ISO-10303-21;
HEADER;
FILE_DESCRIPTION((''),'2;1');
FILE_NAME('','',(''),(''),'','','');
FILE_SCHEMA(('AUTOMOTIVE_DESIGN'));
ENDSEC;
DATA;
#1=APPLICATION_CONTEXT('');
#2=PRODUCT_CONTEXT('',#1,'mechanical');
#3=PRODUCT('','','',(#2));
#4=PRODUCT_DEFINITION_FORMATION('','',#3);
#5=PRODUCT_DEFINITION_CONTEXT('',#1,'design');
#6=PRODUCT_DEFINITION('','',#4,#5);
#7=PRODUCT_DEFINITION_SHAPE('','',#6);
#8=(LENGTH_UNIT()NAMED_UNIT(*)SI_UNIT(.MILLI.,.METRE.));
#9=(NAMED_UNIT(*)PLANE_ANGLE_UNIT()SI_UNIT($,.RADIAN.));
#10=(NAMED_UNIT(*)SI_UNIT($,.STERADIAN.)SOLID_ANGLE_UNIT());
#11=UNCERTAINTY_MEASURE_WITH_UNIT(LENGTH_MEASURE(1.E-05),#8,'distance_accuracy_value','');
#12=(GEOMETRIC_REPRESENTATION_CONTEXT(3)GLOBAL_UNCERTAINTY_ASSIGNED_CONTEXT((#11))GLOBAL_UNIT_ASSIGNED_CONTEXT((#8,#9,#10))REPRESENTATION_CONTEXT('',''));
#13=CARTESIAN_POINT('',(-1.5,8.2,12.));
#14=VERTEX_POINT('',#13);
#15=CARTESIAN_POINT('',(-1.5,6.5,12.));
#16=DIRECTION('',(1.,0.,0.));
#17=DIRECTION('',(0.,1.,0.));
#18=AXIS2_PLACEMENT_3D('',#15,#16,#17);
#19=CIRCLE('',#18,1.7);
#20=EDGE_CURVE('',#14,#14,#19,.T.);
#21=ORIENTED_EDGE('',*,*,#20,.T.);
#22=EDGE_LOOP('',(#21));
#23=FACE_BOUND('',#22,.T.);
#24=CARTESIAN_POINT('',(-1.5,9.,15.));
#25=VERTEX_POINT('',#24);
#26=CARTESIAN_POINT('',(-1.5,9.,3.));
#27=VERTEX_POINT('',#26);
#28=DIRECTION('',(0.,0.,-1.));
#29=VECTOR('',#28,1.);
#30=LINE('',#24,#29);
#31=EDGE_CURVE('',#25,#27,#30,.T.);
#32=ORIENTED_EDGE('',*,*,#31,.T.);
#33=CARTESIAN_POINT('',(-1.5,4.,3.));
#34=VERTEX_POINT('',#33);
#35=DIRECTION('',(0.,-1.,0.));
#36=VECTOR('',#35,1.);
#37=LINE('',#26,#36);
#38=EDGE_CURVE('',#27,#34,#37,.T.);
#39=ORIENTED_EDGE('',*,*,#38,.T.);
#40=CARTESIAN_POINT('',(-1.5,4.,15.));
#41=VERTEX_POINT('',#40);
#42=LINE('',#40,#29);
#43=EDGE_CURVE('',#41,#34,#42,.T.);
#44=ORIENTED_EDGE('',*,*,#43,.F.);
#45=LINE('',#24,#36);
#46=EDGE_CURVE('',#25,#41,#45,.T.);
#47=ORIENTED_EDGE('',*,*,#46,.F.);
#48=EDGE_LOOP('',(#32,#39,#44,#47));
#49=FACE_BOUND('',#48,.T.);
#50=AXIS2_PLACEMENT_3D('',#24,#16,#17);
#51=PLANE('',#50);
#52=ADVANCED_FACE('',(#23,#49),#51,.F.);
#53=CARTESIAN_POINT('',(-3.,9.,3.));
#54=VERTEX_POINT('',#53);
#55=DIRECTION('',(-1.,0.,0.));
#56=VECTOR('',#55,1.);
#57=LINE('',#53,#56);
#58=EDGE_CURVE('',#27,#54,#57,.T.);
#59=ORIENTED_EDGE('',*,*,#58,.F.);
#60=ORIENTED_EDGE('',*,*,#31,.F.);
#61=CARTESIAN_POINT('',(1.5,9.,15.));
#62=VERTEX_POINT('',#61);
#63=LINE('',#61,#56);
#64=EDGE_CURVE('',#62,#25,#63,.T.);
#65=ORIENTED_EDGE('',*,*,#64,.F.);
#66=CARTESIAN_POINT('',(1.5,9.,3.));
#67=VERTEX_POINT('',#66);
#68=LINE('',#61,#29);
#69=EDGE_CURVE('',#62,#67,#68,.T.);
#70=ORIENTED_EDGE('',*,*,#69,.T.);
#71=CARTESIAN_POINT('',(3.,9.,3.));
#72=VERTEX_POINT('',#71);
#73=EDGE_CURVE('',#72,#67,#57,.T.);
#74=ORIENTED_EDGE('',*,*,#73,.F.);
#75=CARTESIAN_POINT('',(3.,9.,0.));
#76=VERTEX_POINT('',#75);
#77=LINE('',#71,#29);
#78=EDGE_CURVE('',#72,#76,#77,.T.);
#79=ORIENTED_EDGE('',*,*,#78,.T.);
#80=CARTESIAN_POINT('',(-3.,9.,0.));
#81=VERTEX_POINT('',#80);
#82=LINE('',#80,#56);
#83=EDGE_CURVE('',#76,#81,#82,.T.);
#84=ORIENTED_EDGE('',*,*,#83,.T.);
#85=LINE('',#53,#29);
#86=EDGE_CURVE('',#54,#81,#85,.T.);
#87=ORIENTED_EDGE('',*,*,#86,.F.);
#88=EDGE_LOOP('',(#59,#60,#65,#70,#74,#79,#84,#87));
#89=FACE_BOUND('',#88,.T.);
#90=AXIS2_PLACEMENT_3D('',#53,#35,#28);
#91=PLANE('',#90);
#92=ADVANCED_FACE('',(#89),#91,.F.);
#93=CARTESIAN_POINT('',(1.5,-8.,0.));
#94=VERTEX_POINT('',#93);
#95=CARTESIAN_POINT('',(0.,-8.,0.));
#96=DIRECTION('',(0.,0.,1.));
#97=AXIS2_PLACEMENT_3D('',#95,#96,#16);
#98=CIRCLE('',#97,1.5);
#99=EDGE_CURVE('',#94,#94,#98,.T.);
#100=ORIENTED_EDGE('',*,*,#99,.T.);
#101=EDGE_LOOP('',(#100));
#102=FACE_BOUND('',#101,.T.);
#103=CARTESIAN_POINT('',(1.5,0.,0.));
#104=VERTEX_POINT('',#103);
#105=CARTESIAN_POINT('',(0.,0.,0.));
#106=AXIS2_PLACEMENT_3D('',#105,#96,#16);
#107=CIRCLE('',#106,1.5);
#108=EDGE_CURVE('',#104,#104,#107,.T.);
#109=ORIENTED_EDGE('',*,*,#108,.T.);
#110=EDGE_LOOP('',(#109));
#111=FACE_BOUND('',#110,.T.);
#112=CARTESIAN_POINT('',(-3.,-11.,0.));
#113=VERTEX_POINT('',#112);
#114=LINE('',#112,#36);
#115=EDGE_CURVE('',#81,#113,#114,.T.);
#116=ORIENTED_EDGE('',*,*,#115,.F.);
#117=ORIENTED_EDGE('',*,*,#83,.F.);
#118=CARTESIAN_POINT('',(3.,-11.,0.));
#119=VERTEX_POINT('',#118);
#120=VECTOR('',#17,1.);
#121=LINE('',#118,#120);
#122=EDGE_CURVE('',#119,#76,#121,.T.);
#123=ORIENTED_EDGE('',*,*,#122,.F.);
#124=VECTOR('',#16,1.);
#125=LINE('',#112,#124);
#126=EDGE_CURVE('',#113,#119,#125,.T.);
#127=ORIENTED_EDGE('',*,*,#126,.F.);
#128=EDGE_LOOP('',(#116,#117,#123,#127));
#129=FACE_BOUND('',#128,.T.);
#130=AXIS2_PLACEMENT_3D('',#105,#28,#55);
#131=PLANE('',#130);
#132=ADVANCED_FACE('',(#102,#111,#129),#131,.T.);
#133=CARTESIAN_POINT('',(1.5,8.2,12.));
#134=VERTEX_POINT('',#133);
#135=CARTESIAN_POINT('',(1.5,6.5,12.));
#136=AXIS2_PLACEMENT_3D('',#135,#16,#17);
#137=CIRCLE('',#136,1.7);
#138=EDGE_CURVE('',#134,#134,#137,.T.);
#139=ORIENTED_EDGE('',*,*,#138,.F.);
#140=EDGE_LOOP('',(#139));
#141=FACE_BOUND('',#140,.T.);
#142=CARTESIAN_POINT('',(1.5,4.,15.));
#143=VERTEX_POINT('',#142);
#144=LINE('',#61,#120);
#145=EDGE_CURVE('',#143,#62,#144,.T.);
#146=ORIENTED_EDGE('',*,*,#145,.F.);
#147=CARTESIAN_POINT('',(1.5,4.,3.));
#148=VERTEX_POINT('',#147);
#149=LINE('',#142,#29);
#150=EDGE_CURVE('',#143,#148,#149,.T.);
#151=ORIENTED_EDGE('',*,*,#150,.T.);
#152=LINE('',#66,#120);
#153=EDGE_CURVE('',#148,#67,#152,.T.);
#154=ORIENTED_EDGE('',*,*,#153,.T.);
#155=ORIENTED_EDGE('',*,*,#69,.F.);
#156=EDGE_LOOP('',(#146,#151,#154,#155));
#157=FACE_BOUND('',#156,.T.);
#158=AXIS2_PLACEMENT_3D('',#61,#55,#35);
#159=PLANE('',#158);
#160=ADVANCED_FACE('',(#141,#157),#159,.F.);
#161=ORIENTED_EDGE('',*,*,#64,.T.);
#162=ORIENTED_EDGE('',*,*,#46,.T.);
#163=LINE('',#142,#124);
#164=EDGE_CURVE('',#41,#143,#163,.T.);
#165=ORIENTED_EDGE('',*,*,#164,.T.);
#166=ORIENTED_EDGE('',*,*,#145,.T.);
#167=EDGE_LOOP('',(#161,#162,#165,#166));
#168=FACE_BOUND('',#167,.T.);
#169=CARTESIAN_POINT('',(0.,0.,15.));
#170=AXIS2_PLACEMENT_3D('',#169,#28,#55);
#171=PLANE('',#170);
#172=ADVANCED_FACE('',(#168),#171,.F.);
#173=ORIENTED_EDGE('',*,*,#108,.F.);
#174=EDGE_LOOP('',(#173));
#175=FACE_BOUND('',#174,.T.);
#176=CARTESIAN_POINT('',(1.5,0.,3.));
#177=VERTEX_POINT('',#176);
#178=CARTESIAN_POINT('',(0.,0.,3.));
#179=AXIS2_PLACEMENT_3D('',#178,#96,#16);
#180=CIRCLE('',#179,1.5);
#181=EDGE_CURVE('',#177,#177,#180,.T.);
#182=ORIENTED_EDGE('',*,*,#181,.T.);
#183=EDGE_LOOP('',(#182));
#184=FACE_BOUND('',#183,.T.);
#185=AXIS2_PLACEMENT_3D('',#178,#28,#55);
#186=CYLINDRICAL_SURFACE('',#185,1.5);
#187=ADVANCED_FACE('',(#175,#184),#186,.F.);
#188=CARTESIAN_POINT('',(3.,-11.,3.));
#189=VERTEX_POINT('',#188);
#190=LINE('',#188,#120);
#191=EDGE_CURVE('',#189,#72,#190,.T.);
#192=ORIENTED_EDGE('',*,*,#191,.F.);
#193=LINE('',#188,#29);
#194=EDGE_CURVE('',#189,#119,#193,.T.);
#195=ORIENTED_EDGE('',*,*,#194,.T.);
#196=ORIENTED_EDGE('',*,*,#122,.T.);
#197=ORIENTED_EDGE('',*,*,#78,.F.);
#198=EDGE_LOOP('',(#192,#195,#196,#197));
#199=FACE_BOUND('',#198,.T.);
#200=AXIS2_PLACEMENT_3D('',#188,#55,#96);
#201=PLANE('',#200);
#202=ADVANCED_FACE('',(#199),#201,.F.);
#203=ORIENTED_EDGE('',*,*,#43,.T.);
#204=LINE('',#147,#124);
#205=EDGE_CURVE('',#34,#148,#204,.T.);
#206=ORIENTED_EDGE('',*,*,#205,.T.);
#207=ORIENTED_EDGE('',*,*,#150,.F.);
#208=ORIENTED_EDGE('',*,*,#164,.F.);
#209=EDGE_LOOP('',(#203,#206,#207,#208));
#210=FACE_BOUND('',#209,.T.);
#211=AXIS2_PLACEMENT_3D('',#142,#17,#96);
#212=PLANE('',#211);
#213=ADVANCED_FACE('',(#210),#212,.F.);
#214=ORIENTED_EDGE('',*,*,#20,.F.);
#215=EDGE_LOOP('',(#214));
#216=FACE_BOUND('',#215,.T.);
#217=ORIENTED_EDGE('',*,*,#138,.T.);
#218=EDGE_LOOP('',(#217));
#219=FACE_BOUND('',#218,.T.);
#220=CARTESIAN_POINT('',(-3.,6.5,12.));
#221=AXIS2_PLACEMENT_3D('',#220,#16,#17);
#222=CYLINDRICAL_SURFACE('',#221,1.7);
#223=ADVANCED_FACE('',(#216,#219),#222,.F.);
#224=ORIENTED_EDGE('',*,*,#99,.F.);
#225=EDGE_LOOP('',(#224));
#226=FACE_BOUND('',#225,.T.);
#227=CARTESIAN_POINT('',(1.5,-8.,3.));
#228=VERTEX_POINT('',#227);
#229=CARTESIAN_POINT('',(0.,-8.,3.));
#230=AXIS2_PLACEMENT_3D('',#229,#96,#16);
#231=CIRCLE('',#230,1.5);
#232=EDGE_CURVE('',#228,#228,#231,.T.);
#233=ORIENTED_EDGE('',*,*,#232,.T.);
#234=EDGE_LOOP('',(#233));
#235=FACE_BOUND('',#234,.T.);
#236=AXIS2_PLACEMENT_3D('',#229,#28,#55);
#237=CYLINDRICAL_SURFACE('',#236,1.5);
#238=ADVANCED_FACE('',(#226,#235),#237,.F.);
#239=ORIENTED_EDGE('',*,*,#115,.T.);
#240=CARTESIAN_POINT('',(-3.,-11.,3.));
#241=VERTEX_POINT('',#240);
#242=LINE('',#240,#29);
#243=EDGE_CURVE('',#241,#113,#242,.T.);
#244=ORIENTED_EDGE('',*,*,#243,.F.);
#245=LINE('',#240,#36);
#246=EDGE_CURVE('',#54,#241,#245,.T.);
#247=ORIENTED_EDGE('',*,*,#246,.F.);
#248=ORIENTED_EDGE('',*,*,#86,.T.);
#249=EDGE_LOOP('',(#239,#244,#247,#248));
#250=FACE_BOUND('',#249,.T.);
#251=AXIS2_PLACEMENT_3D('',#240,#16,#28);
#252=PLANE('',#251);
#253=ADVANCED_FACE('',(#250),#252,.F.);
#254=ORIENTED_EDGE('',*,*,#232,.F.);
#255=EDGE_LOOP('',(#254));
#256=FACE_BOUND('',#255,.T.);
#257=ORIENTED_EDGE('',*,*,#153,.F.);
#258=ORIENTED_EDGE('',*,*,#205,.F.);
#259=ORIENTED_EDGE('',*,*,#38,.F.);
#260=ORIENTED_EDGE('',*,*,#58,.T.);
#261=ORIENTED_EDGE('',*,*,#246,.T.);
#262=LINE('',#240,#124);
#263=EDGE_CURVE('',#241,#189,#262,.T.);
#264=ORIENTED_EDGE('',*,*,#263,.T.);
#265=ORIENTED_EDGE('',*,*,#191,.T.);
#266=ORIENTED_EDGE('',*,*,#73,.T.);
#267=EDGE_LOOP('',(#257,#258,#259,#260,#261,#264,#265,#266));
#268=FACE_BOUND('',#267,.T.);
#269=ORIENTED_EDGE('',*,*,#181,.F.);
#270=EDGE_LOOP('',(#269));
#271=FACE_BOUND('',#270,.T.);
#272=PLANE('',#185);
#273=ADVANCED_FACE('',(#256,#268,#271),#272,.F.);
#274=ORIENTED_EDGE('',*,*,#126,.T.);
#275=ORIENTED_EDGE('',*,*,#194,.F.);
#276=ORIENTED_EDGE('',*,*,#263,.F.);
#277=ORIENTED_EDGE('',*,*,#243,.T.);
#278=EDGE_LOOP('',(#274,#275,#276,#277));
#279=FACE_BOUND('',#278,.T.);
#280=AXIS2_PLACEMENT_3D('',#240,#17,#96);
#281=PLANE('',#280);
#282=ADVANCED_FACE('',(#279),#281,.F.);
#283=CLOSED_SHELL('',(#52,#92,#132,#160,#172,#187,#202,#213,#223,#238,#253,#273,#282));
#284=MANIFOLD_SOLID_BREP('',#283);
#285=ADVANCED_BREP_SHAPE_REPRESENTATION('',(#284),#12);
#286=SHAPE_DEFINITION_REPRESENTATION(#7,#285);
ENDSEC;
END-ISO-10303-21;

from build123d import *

# Parameters (mm, degrees)
SKETCH4_W           = 6
SKETCH4_H           = 20
SKETCH4_R           = 1.5
BOSS_EXTRUDE1_DEPTH = 3
SKETCH6_W           = 3
SKETCH6_H           = 5
BOSS_EXTRUDE2_DEPTH = 12
SKETCH7_R           = 1.7
CUT_EXTRUDE1_DEPTH  = 20.137659209


with BuildPart() as part:
    # Sketch4 → Boss-Extrude1 (new body)
    with BuildSketch(Plane.XY):
        with Locations((0, -1)):
            Rectangle(SKETCH4_W, SKETCH4_H)
        Circle(SKETCH4_R, mode=Mode.SUBTRACT)
        with Locations((0, -8)):
            Circle(SKETCH4_R, mode=Mode.SUBTRACT)
    extrude(amount=BOSS_EXTRUDE1_DEPTH)

    # Sketch6 → Boss-Extrude2 (add)
    with BuildSketch(Plane.XY.offset(3)):
        with Locations((0, 6.5)):
            Rectangle(SKETCH6_W, SKETCH6_H)
    extrude(amount=BOSS_EXTRUDE2_DEPTH)

    # Sketch7 → Cut-Extrude1 (cut, through all)
    with BuildSketch(Plane(origin=(1.5, 0, 0), x_dir=(0, 0, -1), z_dir=(1, 0, 0))):
        with Locations(Location((-12, 6.5, 0), (0, 0, 90))):
            Circle(SKETCH7_R)
    extrude(amount=-CUT_EXTRUDE1_DEPTH, mode=Mode.SUBTRACT)


solid = part.part
